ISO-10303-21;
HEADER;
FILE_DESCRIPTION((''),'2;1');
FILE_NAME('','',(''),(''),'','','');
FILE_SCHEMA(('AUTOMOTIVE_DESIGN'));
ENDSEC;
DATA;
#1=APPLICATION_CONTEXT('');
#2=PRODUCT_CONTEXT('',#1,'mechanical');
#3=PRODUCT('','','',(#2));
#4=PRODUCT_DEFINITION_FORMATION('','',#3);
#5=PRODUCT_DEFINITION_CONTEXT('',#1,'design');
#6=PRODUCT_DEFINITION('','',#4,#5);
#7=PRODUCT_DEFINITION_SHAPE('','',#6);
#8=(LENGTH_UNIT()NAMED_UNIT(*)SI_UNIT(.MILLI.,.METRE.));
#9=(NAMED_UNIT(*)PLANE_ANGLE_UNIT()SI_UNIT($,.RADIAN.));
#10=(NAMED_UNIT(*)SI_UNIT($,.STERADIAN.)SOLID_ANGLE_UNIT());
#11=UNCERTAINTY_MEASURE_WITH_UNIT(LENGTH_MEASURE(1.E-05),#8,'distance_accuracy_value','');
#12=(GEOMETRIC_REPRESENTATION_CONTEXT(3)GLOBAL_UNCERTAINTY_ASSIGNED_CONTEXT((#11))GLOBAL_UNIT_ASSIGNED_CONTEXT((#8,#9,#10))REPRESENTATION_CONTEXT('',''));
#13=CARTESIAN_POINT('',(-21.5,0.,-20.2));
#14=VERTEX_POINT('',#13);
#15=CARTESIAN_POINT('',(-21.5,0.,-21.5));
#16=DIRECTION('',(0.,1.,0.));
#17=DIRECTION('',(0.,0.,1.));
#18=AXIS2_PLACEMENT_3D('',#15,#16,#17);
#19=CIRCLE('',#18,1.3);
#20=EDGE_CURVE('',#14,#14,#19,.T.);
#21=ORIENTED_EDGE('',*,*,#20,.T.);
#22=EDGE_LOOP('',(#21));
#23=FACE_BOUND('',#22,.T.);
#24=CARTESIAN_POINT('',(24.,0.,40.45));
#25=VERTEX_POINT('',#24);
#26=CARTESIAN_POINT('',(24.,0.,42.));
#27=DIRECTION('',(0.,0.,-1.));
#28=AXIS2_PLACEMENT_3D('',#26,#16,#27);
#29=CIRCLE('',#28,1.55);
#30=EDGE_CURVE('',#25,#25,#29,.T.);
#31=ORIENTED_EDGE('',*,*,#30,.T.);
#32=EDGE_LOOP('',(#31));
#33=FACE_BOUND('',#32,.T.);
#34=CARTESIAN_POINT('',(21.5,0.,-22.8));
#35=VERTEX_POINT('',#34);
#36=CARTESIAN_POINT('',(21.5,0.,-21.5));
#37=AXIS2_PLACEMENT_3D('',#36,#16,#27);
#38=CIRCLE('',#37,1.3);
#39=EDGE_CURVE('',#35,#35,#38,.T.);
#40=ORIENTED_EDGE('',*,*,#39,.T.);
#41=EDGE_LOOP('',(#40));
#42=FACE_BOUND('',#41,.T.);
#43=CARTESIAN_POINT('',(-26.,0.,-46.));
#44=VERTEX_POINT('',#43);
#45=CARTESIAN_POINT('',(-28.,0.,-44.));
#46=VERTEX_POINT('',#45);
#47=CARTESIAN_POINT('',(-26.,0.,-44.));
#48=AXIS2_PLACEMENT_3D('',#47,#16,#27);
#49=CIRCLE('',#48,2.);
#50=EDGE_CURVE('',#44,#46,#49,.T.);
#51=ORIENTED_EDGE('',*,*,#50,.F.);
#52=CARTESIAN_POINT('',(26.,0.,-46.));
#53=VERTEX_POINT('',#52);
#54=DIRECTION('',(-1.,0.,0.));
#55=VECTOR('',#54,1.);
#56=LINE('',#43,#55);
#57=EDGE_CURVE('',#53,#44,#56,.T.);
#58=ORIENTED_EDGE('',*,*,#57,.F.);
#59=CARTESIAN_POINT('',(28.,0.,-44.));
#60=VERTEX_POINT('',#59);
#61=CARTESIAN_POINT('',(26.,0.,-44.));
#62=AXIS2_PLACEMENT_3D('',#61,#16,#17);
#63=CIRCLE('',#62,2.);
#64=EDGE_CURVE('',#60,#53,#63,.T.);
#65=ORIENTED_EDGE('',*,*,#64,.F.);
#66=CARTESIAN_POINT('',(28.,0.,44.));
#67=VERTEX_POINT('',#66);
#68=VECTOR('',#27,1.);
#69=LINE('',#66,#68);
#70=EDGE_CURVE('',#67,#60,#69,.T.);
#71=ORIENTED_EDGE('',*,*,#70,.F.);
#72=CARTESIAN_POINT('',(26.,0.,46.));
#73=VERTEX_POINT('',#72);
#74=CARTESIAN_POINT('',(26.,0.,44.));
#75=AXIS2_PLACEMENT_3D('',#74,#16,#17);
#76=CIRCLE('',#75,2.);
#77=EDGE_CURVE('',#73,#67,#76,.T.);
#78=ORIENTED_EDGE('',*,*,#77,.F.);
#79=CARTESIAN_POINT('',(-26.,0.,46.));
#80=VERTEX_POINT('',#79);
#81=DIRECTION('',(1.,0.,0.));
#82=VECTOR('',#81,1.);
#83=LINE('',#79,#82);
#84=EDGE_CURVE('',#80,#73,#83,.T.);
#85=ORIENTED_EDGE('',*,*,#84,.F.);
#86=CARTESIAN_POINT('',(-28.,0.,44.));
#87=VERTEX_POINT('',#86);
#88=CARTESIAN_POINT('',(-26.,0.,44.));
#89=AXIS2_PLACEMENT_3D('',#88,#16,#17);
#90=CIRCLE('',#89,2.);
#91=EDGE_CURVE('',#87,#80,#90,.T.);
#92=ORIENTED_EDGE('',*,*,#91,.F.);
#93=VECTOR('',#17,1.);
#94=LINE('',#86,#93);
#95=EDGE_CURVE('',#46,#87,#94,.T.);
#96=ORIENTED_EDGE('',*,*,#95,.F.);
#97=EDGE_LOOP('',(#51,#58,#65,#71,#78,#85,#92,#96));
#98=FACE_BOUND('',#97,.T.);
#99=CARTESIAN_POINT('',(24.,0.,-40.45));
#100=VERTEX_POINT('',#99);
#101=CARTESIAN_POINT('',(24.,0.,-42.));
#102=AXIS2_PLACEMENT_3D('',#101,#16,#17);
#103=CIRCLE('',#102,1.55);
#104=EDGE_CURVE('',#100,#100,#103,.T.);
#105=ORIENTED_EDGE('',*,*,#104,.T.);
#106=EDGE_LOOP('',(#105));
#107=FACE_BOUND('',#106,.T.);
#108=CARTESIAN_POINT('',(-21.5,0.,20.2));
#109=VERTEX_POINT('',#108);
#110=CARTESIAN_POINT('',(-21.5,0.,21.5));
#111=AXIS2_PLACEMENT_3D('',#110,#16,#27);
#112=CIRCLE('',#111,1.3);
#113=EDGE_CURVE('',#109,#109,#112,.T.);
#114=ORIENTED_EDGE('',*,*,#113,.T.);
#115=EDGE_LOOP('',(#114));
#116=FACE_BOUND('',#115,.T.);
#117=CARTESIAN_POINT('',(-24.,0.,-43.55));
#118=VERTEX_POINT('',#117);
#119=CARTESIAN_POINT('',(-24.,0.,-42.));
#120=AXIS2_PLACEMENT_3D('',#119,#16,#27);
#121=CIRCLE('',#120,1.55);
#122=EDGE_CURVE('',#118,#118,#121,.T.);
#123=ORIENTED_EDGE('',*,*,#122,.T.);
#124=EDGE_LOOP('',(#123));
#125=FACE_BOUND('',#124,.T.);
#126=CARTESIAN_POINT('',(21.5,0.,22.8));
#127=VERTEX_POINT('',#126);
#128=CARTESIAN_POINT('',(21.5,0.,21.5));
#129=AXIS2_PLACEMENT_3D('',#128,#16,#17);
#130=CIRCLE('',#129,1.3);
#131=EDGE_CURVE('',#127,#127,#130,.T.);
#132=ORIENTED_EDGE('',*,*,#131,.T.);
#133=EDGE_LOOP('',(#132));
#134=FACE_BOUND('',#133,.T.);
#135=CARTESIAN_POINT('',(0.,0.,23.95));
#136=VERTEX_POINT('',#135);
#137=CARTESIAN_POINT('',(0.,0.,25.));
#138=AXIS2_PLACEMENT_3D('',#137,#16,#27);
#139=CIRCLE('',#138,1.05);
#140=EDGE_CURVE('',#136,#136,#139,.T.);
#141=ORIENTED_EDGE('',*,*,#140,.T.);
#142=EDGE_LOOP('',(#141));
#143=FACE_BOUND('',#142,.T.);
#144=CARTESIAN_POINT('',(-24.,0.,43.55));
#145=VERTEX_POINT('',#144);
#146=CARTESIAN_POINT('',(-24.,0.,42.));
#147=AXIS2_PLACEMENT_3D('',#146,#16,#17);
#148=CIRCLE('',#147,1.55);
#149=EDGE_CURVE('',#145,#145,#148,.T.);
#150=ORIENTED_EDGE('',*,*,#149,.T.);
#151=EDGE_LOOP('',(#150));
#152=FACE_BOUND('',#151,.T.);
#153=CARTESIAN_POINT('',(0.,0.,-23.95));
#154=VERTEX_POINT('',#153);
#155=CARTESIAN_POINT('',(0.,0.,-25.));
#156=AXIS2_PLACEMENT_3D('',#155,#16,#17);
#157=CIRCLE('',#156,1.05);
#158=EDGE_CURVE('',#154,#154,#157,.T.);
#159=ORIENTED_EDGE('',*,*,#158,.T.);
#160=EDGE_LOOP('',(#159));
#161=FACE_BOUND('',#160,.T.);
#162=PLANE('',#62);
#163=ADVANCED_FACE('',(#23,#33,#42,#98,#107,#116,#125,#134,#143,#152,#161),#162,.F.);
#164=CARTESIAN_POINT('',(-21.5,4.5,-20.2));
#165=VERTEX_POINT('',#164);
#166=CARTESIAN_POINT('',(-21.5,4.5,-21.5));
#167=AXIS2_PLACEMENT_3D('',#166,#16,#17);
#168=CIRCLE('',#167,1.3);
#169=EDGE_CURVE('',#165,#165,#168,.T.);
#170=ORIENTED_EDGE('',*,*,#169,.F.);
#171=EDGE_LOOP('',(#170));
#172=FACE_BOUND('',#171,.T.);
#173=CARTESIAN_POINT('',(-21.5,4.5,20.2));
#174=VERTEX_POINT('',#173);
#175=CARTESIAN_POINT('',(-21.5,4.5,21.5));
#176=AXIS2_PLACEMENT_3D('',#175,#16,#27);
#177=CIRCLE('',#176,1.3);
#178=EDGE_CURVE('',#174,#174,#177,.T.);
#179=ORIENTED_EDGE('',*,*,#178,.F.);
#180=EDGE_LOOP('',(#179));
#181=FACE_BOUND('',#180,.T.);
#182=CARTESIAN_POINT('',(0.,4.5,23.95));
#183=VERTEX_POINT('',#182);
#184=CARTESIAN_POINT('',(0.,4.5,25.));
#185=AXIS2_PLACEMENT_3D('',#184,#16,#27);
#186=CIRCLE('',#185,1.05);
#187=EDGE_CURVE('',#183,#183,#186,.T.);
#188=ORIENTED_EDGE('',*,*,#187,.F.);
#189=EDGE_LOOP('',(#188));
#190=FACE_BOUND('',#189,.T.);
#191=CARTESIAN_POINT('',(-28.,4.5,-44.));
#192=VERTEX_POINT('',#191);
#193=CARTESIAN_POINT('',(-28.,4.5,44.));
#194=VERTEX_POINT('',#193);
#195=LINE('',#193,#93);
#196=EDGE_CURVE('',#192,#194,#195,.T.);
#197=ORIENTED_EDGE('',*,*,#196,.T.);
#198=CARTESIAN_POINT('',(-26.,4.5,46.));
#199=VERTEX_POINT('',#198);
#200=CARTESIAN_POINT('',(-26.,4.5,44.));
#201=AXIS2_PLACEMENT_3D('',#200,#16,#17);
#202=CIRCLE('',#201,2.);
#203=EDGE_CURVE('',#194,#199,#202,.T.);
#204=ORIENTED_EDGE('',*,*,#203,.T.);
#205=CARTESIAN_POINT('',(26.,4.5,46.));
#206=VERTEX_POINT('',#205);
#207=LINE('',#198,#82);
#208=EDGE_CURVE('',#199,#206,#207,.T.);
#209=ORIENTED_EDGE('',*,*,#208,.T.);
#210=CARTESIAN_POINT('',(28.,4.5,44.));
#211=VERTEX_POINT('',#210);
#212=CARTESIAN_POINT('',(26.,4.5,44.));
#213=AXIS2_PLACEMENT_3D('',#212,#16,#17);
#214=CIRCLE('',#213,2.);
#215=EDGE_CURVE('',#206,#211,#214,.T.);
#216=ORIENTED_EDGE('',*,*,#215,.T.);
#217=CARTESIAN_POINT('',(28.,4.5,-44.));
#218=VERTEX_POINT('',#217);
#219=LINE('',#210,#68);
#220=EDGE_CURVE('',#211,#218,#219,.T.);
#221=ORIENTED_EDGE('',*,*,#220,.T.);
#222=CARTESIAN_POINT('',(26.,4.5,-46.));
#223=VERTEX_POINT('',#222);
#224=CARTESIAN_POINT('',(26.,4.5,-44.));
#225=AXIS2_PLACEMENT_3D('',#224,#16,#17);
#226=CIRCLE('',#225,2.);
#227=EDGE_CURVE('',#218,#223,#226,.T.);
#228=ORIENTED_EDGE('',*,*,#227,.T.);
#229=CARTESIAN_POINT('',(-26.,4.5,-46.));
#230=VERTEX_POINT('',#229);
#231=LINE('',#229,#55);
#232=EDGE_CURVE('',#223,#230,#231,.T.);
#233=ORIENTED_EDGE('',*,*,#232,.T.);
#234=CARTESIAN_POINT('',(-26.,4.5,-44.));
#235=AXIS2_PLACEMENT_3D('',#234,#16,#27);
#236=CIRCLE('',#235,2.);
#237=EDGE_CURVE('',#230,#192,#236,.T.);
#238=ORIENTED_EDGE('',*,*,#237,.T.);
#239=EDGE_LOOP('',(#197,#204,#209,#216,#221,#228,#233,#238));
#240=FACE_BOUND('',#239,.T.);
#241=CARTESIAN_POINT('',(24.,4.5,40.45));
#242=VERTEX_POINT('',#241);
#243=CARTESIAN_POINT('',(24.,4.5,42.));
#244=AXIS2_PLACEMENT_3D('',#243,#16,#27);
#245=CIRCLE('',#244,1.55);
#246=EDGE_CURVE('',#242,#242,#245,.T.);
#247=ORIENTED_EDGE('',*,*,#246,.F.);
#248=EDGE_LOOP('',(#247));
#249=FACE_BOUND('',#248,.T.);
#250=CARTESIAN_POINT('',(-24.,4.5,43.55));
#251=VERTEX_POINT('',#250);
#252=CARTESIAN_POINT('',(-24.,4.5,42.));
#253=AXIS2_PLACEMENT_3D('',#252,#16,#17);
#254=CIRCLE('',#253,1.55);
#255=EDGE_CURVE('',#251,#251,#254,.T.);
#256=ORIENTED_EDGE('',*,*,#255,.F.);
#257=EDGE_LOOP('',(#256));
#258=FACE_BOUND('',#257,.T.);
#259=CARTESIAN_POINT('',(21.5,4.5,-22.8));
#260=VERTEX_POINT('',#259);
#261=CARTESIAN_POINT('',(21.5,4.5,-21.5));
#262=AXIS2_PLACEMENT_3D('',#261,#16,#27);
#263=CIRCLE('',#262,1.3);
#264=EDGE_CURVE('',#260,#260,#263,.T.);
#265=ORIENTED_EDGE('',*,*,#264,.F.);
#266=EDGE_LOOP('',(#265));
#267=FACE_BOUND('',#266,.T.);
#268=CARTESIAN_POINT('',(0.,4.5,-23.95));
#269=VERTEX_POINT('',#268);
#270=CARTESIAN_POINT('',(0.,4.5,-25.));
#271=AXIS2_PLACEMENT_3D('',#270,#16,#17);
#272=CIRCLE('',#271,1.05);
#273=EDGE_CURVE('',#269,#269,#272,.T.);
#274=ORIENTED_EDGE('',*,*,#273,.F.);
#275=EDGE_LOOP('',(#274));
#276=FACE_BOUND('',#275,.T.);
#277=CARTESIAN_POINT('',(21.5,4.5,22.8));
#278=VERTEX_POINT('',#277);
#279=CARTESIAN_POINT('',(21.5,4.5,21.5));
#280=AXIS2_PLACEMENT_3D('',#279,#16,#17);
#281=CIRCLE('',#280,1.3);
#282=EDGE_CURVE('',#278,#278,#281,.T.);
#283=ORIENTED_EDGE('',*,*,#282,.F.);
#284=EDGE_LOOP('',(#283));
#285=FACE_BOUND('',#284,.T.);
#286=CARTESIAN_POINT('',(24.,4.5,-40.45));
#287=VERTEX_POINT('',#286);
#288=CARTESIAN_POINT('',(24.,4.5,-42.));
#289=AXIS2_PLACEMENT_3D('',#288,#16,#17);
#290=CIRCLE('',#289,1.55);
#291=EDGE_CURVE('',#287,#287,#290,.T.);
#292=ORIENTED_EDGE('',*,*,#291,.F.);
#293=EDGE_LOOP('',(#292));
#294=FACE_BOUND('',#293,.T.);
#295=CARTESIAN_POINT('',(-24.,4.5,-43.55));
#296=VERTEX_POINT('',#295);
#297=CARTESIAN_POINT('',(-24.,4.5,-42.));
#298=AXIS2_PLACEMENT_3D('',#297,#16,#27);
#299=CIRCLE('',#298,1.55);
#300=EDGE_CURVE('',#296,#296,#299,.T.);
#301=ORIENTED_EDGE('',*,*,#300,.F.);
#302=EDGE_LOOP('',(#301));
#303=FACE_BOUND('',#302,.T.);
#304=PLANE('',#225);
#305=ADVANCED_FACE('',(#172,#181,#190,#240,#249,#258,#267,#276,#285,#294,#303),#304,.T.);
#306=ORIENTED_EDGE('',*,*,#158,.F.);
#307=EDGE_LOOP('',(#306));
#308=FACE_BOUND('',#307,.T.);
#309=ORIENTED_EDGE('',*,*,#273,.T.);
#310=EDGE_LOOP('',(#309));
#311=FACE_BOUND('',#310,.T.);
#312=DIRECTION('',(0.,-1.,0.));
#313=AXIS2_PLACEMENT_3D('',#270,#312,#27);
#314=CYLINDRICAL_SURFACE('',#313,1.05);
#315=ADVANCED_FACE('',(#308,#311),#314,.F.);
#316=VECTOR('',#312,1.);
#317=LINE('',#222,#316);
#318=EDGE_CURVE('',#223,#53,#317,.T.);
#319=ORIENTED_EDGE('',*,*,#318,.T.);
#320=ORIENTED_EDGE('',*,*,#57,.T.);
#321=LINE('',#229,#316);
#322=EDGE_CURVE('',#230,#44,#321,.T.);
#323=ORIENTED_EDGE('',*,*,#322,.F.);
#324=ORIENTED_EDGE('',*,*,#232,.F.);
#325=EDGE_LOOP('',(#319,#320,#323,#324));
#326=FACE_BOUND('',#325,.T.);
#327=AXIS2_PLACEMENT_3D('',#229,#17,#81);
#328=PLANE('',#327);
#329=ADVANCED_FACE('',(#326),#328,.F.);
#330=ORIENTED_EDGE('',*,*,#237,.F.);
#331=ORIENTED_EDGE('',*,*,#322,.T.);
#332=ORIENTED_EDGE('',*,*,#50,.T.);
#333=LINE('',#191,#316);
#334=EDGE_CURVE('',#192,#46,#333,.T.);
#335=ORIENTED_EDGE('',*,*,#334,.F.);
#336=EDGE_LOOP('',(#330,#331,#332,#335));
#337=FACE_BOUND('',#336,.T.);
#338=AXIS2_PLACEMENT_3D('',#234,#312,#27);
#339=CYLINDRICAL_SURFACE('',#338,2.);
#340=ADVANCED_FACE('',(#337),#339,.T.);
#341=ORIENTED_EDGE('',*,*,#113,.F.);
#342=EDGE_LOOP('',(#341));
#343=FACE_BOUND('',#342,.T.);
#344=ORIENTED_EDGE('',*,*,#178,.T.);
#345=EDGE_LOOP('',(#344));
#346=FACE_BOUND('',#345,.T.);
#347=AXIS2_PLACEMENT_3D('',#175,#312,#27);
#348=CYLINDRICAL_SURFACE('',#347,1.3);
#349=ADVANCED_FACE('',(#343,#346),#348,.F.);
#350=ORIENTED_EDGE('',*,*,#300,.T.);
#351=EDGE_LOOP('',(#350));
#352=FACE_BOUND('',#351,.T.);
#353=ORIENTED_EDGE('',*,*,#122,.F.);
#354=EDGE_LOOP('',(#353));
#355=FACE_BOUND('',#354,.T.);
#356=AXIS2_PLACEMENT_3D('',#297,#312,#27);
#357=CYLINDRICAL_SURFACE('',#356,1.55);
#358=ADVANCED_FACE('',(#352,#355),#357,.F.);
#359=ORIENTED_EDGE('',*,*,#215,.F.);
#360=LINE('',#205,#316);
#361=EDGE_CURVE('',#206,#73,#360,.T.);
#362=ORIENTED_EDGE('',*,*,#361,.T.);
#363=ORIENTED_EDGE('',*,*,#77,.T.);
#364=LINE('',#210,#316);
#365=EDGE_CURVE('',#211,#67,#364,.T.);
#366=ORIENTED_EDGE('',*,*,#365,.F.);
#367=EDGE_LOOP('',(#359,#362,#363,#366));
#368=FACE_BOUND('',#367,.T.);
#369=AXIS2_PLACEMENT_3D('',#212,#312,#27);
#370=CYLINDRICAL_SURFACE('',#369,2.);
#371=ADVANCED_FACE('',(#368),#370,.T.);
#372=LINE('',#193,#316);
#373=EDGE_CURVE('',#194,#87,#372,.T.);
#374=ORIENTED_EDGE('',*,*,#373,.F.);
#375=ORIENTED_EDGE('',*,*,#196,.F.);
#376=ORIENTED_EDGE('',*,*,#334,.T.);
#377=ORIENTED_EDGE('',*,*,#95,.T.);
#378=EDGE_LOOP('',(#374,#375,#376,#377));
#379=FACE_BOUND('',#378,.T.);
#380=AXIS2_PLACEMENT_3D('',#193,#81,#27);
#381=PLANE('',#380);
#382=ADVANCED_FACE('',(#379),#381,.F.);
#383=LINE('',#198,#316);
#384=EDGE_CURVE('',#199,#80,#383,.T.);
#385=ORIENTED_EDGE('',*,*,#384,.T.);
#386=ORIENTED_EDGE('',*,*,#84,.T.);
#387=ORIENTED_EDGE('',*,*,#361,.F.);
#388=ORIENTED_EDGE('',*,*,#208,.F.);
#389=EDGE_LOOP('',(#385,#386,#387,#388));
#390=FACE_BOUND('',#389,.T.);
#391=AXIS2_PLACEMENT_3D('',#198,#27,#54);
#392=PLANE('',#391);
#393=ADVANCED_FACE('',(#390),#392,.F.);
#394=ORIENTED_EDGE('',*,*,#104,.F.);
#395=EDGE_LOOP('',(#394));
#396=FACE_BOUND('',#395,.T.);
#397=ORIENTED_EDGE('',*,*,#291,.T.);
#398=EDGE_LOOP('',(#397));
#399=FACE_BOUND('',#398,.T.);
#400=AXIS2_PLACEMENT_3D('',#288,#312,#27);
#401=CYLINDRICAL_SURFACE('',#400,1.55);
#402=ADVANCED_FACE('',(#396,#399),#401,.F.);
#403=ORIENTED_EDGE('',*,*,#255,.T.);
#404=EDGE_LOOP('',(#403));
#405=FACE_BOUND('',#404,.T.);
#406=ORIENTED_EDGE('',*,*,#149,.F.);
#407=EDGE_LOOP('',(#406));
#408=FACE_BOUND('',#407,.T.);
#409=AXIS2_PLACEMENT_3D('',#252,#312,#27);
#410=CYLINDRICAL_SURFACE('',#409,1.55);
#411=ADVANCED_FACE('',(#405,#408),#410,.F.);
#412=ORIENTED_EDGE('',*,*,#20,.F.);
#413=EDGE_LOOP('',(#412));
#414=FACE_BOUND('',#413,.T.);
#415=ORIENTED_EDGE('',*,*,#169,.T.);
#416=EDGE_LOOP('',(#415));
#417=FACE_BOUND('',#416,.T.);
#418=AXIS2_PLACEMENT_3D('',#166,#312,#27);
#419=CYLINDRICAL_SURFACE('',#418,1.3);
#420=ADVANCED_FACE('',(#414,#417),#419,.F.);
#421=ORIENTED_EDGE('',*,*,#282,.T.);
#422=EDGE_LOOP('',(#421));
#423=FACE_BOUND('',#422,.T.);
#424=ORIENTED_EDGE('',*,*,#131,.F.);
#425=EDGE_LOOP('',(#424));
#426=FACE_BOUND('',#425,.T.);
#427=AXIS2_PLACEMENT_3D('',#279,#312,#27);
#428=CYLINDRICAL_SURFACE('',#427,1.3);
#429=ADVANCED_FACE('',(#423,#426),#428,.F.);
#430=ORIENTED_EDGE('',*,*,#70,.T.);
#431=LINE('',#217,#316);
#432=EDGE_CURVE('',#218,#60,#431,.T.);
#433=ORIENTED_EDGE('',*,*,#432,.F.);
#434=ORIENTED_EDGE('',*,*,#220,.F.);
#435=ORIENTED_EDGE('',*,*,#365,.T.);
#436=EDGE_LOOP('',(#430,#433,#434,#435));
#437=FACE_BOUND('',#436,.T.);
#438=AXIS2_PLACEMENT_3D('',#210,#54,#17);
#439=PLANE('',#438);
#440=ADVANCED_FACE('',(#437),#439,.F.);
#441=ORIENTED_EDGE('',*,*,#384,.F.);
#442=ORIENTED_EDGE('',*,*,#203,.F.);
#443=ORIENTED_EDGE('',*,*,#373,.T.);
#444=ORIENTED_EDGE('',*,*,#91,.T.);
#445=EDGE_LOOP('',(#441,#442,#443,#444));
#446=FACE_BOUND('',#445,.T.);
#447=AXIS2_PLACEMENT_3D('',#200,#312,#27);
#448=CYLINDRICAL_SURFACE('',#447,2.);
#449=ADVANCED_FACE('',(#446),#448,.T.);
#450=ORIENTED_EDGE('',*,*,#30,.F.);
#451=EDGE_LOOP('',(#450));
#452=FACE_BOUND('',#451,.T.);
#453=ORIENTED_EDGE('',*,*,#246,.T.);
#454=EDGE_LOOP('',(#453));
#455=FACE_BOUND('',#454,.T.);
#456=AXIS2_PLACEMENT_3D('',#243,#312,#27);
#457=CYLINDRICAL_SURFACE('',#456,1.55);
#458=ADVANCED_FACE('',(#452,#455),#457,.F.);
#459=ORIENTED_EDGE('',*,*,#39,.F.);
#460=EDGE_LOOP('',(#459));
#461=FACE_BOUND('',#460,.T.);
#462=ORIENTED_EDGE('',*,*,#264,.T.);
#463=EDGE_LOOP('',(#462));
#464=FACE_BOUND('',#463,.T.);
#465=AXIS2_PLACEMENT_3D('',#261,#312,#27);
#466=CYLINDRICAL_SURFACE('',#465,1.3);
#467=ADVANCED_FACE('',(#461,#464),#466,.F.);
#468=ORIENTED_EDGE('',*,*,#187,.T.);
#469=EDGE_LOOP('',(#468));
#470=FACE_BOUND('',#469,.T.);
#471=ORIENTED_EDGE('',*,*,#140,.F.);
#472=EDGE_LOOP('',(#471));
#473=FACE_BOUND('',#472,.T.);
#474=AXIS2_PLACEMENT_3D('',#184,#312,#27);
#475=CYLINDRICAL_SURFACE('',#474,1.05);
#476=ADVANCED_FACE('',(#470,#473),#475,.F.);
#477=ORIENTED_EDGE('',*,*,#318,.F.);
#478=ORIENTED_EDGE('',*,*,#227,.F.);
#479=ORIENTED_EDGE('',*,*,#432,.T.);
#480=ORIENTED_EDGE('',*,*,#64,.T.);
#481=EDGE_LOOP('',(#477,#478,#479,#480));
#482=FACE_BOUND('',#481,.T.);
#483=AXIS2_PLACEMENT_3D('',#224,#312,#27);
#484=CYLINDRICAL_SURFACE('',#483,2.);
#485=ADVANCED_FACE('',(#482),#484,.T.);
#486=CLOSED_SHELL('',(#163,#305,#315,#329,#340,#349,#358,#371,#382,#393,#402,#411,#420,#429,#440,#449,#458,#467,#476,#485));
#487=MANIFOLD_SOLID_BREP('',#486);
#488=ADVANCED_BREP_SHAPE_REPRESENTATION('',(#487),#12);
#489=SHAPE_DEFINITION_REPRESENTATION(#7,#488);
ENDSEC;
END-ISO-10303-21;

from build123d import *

# Parameters (mm, degrees)
SKETCH1_R           = 1.55
SKETCH1_R_2         = 1.3
SKETCH1_R_3         = 1.05
BOSS_EXTRUDE1_DEPTH = 4.5


with BuildPart() as part:
    # Sketch1 → Boss-Extrude1 (new body)
    with BuildSketch(Plane(origin=(0, 0, 0), x_dir=(1, 0, 0), z_dir=(0, 1, 0))):
        with BuildLine():
            Line((-26, -46), (26, -46))
            ThreePointArc((26, -46), (27.414213562, -45.414213562), (28, -44))
            Line((28, -44), (28, 44))
            ThreePointArc((28, 44), (27.414213562, 45.414213562), (26, 46))
            Line((26, 46), (-26, 46))
            ThreePointArc((-26, 46), (-27.414213562, 45.414213562), (-28, 44))
            Line((-28, 44), (-28, -44))
            ThreePointArc((-28, -44), (-27.414213562, -45.414213562), (-26, -46))
        make_face()
        with Locations(Location((24, 42, 0), (0, 0, 270))):
            Circle(SKETCH1_R, mode=Mode.SUBTRACT)
        with Locations(Location((24, -42, 0), (0, 0, 90))):
            Circle(SKETCH1_R, mode=Mode.SUBTRACT)
        with Locations(Location((-24, 42, 0), (0, 0, 90))):
            Circle(SKETCH1_R, mode=Mode.SUBTRACT)
        with Locations(Location((-24, -42, 0), (0, 0, 270))):
            Circle(SKETCH1_R, mode=Mode.SUBTRACT)
        with Locations(Location((-21.5, 21.5, 0), (0, 0, 270))):
            Circle(SKETCH1_R_2, mode=Mode.SUBTRACT)
        with Locations(Location((21.5, 21.5, 0), (0, 0, 90))):
            Circle(SKETCH1_R_2, mode=Mode.SUBTRACT)
        with Locations(Location((21.5, -21.5, 0), (0, 0, 270))):
            Circle(SKETCH1_R_2, mode=Mode.SUBTRACT)
        with Locations(Location((-21.5, -21.5, 0), (0, 0, 90))):
            Circle(SKETCH1_R_2, mode=Mode.SUBTRACT)
        with Locations(Location((0, 25, 0), (0, 0, 270))):
            Circle(SKETCH1_R_3, mode=Mode.SUBTRACT)
        with Locations(Location((0, -25, 0), (0, 0, 90))):
            Circle(SKETCH1_R_3, mode=Mode.SUBTRACT)
    extrude(amount=BOSS_EXTRUDE1_DEPTH)


solid = part.part
